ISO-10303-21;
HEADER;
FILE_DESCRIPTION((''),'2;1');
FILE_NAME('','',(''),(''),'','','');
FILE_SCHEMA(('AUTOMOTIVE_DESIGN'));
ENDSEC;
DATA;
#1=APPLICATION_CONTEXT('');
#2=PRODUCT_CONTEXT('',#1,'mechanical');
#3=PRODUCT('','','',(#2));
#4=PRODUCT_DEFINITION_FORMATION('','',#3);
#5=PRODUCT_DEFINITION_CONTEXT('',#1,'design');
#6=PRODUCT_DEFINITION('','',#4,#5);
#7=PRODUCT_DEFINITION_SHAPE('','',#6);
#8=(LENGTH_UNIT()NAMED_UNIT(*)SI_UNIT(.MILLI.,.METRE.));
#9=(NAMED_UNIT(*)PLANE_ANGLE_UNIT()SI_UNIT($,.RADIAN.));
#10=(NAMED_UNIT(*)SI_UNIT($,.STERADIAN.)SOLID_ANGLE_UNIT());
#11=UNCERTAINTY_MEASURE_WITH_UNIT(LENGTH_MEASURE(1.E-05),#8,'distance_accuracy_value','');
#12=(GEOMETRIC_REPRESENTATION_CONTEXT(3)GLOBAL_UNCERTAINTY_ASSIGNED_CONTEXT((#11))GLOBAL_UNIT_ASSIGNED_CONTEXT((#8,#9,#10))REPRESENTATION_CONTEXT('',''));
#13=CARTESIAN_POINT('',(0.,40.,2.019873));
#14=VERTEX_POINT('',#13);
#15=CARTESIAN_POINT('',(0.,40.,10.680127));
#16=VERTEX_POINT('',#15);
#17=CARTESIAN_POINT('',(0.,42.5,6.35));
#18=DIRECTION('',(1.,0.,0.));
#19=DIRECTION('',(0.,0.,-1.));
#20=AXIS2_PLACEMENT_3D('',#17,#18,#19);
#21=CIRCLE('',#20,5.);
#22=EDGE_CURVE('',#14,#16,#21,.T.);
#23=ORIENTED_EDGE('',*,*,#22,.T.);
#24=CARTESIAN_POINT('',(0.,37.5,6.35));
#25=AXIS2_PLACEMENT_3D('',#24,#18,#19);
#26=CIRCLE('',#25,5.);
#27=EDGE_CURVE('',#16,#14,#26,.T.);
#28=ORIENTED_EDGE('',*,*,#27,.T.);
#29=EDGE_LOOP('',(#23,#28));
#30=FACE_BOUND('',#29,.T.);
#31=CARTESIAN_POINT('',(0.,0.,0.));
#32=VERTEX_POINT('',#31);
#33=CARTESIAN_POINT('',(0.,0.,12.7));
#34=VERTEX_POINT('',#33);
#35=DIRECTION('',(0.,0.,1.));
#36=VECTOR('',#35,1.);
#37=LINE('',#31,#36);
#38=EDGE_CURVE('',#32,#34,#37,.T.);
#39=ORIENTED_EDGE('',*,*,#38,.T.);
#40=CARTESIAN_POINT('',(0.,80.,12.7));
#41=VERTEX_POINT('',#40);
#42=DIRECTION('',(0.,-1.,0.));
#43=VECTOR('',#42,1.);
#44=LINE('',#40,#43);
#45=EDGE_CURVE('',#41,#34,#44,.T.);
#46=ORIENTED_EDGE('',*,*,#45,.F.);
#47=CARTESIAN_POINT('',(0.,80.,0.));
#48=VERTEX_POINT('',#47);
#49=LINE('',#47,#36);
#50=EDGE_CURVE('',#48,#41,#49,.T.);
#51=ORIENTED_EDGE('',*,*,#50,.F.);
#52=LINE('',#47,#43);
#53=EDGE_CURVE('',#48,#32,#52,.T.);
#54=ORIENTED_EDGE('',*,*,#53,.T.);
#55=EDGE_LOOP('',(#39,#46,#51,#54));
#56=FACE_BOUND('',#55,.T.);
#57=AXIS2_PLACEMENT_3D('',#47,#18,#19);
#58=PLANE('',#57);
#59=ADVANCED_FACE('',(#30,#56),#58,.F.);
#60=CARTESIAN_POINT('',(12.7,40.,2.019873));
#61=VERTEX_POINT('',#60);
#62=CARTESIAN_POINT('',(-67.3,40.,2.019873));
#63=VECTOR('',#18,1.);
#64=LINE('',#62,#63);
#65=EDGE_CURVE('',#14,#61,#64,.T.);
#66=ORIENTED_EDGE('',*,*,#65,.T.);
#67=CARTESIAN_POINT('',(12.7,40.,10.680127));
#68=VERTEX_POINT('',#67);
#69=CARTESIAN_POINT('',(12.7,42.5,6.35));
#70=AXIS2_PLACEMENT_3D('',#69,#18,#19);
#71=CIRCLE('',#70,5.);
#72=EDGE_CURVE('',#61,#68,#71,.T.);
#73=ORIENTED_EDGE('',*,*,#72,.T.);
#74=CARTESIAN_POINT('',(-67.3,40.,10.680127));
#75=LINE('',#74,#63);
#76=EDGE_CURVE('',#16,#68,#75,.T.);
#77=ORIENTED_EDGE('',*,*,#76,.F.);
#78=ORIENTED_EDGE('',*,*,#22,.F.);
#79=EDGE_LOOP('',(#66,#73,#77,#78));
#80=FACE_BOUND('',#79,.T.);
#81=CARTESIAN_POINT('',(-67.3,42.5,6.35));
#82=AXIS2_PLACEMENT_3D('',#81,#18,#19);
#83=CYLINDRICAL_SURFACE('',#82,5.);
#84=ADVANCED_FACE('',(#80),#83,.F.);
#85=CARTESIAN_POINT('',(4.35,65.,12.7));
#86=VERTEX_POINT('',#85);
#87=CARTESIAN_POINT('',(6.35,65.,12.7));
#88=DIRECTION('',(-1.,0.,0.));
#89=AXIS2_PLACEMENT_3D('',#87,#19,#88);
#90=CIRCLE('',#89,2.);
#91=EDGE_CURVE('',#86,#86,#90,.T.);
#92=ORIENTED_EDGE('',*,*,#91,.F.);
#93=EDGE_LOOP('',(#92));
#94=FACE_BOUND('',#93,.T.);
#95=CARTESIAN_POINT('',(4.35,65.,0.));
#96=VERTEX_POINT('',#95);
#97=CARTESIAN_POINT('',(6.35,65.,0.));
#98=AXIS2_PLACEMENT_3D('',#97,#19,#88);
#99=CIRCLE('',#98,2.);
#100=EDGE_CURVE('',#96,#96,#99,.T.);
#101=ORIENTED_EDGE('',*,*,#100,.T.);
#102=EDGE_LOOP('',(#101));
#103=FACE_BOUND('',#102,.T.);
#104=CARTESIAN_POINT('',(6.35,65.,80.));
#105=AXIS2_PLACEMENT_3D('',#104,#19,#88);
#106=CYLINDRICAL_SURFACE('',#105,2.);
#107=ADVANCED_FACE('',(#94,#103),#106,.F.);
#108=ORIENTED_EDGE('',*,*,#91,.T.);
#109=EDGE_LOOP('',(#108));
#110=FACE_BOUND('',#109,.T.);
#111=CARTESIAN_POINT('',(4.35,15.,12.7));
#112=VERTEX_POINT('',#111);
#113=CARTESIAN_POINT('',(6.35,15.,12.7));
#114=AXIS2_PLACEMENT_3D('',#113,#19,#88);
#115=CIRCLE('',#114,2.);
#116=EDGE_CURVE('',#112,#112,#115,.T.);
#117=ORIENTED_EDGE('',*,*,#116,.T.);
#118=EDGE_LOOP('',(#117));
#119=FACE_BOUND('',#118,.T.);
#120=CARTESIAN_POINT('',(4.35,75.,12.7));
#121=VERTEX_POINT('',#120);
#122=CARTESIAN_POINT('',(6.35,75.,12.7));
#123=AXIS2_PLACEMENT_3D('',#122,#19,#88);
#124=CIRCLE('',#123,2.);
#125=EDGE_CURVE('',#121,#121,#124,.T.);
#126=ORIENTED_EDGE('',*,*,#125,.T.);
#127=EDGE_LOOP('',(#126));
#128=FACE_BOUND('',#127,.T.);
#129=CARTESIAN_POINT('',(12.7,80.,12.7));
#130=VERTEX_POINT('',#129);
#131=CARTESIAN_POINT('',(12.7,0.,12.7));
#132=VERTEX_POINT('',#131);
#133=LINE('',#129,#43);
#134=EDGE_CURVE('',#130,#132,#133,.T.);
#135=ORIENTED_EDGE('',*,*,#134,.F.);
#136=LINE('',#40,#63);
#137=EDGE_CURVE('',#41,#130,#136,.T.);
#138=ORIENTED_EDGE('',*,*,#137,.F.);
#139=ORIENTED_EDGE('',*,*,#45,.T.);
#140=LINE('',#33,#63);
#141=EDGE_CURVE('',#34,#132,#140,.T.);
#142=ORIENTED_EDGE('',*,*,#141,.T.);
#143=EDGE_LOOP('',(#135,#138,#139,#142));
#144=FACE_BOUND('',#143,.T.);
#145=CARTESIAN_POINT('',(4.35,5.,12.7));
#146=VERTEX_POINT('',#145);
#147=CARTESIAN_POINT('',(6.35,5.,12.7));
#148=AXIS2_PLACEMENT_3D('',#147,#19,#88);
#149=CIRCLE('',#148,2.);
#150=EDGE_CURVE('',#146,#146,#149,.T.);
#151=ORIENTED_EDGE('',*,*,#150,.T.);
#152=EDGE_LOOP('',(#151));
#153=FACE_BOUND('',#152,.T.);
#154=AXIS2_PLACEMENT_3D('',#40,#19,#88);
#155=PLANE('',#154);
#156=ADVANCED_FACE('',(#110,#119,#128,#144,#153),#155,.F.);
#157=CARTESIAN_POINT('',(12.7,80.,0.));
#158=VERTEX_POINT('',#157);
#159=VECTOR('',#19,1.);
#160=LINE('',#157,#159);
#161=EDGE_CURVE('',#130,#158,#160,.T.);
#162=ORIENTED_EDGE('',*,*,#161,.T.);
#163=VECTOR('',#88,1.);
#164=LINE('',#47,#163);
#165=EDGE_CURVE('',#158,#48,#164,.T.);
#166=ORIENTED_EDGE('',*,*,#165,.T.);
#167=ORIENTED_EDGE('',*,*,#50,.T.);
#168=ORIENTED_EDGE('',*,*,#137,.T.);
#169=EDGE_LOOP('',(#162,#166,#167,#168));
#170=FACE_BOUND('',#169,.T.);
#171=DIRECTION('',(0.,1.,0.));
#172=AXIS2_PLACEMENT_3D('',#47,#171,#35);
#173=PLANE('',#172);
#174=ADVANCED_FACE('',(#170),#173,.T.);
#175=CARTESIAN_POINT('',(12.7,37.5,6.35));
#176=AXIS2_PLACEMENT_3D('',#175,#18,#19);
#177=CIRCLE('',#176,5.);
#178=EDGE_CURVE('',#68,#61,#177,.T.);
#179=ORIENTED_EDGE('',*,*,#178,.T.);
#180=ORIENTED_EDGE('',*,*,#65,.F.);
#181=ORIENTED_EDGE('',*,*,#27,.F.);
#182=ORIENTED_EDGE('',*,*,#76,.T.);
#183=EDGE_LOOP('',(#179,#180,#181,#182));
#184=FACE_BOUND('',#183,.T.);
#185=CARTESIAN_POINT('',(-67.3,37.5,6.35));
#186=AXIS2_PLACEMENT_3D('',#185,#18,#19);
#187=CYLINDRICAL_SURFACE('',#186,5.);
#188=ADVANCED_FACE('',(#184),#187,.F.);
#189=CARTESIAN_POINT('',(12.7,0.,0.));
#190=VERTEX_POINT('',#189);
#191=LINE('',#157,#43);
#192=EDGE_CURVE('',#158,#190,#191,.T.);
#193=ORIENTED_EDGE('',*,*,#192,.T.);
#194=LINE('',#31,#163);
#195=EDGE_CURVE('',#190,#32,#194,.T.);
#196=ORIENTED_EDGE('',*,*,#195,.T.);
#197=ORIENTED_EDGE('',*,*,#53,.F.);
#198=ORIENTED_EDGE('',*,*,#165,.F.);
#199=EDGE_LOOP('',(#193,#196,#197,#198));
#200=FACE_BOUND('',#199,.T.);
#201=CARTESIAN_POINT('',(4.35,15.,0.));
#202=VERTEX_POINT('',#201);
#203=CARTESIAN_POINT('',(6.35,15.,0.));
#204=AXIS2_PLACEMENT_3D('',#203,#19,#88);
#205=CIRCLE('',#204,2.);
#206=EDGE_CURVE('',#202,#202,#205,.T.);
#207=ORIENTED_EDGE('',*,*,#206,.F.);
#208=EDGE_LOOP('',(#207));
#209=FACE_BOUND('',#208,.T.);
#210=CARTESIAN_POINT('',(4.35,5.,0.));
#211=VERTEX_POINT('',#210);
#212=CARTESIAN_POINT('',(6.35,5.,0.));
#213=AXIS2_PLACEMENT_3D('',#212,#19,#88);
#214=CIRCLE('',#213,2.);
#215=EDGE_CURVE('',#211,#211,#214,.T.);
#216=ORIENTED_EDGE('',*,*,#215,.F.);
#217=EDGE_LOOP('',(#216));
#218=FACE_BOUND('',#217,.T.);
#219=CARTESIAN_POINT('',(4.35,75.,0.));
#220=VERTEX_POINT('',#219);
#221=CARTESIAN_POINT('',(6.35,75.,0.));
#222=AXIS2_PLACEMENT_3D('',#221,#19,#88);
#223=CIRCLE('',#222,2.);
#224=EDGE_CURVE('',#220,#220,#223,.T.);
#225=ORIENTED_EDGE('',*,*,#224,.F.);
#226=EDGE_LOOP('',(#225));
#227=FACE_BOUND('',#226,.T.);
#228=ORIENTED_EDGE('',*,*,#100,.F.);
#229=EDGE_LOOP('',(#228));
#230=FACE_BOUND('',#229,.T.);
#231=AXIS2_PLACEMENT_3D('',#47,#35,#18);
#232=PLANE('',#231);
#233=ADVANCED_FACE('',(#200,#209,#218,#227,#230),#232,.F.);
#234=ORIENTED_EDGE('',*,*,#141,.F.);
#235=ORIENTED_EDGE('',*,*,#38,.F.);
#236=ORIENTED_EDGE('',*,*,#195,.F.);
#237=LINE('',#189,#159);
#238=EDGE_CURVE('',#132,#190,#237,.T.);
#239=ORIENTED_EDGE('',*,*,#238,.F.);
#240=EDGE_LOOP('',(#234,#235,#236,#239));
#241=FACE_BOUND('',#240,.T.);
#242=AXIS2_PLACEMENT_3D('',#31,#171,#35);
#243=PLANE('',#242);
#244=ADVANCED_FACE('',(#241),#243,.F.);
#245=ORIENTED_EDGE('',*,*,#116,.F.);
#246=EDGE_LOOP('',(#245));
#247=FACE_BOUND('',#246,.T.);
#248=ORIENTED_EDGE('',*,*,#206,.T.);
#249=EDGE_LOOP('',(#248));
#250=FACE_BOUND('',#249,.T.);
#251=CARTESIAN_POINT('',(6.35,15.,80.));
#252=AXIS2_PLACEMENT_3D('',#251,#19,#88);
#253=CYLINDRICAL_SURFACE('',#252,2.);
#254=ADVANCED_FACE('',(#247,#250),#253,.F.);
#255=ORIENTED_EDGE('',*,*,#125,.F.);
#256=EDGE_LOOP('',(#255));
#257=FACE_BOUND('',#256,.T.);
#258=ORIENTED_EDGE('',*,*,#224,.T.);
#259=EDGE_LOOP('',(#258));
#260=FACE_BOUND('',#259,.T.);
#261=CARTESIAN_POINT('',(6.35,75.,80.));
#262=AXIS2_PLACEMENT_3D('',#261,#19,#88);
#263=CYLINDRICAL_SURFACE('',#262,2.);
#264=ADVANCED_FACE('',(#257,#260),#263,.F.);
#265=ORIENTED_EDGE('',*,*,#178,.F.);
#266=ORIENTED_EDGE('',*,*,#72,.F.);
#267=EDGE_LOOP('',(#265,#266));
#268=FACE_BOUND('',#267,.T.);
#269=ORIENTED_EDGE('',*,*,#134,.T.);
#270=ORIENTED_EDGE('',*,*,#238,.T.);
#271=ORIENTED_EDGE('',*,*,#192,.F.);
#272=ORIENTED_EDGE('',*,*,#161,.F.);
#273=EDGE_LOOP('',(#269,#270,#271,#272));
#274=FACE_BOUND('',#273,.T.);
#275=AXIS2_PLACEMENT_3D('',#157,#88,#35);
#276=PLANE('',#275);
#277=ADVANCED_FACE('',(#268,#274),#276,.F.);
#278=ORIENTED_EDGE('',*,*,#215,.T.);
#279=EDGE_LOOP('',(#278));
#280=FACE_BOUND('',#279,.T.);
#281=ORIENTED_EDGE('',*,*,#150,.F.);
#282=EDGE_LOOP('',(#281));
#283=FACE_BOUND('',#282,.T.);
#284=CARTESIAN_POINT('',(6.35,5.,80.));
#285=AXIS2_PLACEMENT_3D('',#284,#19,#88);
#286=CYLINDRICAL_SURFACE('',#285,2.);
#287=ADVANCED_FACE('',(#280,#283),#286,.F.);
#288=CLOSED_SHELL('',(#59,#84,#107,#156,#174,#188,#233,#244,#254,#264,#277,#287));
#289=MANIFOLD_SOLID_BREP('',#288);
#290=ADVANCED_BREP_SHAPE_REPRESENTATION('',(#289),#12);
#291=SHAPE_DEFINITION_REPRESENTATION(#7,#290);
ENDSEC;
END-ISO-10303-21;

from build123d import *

# Parameters (mm, degrees)
SKETCH1_W           = 12.7
SKETCH1_H           = 12.7
BOSS_EXTRUDE1_DEPTH = 80
CUT_EXTRUDE1_DEPTH  = 80
SKETCH3_R           = 2
CUT_EXTRUDE2_DEPTH  = 80


with BuildPart() as part:
    # Sketch1 → Boss-Extrude1 (new body)
    with BuildSketch(Plane(origin=(0, 0, 0), x_dir=(1, 0, 0), z_dir=(0, 1, 0))):
        with Locations((6.35, -6.35)):
            Rectangle(SKETCH1_W, SKETCH1_H)
    extrude(amount=BOSS_EXTRUDE1_DEPTH)

    # Sketch2 → Cut-Extrude1 (cut)
    with BuildSketch(Plane(origin=(12.7, 0, 0), x_dir=(0, 0, -1), z_dir=(1, 0, 0))):
        with BuildLine():
            ThreePointArc((-10.680127019, 40), (-6.35, 32.5), (-2.019872981, 40))
            ThreePointArc((-2.019872981, 40), (-6.35, 47.5), (-10.680127019, 40))
        make_face()
    extrude(amount=-CUT_EXTRUDE1_DEPTH, mode=Mode.SUBTRACT)

    # Sketch3 → Cut-Extrude2 (cut)
    with BuildSketch(Plane(origin=(0, 0, 0), x_dir=(-1, 0, 0), z_dir=(0, 0, -1))):
        with Locations((-6.35, 5)):
            Circle(SKETCH3_R)
        with Locations((-6.35, 15)):
            Circle(SKETCH3_R)
        with Locations((-6.35, 75)):
            Circle(SKETCH3_R)
        with Locations((-6.35, 65)):
            Circle(SKETCH3_R)
    extrude(amount=-CUT_EXTRUDE2_DEPTH, mode=Mode.SUBTRACT)


solid = part.part
